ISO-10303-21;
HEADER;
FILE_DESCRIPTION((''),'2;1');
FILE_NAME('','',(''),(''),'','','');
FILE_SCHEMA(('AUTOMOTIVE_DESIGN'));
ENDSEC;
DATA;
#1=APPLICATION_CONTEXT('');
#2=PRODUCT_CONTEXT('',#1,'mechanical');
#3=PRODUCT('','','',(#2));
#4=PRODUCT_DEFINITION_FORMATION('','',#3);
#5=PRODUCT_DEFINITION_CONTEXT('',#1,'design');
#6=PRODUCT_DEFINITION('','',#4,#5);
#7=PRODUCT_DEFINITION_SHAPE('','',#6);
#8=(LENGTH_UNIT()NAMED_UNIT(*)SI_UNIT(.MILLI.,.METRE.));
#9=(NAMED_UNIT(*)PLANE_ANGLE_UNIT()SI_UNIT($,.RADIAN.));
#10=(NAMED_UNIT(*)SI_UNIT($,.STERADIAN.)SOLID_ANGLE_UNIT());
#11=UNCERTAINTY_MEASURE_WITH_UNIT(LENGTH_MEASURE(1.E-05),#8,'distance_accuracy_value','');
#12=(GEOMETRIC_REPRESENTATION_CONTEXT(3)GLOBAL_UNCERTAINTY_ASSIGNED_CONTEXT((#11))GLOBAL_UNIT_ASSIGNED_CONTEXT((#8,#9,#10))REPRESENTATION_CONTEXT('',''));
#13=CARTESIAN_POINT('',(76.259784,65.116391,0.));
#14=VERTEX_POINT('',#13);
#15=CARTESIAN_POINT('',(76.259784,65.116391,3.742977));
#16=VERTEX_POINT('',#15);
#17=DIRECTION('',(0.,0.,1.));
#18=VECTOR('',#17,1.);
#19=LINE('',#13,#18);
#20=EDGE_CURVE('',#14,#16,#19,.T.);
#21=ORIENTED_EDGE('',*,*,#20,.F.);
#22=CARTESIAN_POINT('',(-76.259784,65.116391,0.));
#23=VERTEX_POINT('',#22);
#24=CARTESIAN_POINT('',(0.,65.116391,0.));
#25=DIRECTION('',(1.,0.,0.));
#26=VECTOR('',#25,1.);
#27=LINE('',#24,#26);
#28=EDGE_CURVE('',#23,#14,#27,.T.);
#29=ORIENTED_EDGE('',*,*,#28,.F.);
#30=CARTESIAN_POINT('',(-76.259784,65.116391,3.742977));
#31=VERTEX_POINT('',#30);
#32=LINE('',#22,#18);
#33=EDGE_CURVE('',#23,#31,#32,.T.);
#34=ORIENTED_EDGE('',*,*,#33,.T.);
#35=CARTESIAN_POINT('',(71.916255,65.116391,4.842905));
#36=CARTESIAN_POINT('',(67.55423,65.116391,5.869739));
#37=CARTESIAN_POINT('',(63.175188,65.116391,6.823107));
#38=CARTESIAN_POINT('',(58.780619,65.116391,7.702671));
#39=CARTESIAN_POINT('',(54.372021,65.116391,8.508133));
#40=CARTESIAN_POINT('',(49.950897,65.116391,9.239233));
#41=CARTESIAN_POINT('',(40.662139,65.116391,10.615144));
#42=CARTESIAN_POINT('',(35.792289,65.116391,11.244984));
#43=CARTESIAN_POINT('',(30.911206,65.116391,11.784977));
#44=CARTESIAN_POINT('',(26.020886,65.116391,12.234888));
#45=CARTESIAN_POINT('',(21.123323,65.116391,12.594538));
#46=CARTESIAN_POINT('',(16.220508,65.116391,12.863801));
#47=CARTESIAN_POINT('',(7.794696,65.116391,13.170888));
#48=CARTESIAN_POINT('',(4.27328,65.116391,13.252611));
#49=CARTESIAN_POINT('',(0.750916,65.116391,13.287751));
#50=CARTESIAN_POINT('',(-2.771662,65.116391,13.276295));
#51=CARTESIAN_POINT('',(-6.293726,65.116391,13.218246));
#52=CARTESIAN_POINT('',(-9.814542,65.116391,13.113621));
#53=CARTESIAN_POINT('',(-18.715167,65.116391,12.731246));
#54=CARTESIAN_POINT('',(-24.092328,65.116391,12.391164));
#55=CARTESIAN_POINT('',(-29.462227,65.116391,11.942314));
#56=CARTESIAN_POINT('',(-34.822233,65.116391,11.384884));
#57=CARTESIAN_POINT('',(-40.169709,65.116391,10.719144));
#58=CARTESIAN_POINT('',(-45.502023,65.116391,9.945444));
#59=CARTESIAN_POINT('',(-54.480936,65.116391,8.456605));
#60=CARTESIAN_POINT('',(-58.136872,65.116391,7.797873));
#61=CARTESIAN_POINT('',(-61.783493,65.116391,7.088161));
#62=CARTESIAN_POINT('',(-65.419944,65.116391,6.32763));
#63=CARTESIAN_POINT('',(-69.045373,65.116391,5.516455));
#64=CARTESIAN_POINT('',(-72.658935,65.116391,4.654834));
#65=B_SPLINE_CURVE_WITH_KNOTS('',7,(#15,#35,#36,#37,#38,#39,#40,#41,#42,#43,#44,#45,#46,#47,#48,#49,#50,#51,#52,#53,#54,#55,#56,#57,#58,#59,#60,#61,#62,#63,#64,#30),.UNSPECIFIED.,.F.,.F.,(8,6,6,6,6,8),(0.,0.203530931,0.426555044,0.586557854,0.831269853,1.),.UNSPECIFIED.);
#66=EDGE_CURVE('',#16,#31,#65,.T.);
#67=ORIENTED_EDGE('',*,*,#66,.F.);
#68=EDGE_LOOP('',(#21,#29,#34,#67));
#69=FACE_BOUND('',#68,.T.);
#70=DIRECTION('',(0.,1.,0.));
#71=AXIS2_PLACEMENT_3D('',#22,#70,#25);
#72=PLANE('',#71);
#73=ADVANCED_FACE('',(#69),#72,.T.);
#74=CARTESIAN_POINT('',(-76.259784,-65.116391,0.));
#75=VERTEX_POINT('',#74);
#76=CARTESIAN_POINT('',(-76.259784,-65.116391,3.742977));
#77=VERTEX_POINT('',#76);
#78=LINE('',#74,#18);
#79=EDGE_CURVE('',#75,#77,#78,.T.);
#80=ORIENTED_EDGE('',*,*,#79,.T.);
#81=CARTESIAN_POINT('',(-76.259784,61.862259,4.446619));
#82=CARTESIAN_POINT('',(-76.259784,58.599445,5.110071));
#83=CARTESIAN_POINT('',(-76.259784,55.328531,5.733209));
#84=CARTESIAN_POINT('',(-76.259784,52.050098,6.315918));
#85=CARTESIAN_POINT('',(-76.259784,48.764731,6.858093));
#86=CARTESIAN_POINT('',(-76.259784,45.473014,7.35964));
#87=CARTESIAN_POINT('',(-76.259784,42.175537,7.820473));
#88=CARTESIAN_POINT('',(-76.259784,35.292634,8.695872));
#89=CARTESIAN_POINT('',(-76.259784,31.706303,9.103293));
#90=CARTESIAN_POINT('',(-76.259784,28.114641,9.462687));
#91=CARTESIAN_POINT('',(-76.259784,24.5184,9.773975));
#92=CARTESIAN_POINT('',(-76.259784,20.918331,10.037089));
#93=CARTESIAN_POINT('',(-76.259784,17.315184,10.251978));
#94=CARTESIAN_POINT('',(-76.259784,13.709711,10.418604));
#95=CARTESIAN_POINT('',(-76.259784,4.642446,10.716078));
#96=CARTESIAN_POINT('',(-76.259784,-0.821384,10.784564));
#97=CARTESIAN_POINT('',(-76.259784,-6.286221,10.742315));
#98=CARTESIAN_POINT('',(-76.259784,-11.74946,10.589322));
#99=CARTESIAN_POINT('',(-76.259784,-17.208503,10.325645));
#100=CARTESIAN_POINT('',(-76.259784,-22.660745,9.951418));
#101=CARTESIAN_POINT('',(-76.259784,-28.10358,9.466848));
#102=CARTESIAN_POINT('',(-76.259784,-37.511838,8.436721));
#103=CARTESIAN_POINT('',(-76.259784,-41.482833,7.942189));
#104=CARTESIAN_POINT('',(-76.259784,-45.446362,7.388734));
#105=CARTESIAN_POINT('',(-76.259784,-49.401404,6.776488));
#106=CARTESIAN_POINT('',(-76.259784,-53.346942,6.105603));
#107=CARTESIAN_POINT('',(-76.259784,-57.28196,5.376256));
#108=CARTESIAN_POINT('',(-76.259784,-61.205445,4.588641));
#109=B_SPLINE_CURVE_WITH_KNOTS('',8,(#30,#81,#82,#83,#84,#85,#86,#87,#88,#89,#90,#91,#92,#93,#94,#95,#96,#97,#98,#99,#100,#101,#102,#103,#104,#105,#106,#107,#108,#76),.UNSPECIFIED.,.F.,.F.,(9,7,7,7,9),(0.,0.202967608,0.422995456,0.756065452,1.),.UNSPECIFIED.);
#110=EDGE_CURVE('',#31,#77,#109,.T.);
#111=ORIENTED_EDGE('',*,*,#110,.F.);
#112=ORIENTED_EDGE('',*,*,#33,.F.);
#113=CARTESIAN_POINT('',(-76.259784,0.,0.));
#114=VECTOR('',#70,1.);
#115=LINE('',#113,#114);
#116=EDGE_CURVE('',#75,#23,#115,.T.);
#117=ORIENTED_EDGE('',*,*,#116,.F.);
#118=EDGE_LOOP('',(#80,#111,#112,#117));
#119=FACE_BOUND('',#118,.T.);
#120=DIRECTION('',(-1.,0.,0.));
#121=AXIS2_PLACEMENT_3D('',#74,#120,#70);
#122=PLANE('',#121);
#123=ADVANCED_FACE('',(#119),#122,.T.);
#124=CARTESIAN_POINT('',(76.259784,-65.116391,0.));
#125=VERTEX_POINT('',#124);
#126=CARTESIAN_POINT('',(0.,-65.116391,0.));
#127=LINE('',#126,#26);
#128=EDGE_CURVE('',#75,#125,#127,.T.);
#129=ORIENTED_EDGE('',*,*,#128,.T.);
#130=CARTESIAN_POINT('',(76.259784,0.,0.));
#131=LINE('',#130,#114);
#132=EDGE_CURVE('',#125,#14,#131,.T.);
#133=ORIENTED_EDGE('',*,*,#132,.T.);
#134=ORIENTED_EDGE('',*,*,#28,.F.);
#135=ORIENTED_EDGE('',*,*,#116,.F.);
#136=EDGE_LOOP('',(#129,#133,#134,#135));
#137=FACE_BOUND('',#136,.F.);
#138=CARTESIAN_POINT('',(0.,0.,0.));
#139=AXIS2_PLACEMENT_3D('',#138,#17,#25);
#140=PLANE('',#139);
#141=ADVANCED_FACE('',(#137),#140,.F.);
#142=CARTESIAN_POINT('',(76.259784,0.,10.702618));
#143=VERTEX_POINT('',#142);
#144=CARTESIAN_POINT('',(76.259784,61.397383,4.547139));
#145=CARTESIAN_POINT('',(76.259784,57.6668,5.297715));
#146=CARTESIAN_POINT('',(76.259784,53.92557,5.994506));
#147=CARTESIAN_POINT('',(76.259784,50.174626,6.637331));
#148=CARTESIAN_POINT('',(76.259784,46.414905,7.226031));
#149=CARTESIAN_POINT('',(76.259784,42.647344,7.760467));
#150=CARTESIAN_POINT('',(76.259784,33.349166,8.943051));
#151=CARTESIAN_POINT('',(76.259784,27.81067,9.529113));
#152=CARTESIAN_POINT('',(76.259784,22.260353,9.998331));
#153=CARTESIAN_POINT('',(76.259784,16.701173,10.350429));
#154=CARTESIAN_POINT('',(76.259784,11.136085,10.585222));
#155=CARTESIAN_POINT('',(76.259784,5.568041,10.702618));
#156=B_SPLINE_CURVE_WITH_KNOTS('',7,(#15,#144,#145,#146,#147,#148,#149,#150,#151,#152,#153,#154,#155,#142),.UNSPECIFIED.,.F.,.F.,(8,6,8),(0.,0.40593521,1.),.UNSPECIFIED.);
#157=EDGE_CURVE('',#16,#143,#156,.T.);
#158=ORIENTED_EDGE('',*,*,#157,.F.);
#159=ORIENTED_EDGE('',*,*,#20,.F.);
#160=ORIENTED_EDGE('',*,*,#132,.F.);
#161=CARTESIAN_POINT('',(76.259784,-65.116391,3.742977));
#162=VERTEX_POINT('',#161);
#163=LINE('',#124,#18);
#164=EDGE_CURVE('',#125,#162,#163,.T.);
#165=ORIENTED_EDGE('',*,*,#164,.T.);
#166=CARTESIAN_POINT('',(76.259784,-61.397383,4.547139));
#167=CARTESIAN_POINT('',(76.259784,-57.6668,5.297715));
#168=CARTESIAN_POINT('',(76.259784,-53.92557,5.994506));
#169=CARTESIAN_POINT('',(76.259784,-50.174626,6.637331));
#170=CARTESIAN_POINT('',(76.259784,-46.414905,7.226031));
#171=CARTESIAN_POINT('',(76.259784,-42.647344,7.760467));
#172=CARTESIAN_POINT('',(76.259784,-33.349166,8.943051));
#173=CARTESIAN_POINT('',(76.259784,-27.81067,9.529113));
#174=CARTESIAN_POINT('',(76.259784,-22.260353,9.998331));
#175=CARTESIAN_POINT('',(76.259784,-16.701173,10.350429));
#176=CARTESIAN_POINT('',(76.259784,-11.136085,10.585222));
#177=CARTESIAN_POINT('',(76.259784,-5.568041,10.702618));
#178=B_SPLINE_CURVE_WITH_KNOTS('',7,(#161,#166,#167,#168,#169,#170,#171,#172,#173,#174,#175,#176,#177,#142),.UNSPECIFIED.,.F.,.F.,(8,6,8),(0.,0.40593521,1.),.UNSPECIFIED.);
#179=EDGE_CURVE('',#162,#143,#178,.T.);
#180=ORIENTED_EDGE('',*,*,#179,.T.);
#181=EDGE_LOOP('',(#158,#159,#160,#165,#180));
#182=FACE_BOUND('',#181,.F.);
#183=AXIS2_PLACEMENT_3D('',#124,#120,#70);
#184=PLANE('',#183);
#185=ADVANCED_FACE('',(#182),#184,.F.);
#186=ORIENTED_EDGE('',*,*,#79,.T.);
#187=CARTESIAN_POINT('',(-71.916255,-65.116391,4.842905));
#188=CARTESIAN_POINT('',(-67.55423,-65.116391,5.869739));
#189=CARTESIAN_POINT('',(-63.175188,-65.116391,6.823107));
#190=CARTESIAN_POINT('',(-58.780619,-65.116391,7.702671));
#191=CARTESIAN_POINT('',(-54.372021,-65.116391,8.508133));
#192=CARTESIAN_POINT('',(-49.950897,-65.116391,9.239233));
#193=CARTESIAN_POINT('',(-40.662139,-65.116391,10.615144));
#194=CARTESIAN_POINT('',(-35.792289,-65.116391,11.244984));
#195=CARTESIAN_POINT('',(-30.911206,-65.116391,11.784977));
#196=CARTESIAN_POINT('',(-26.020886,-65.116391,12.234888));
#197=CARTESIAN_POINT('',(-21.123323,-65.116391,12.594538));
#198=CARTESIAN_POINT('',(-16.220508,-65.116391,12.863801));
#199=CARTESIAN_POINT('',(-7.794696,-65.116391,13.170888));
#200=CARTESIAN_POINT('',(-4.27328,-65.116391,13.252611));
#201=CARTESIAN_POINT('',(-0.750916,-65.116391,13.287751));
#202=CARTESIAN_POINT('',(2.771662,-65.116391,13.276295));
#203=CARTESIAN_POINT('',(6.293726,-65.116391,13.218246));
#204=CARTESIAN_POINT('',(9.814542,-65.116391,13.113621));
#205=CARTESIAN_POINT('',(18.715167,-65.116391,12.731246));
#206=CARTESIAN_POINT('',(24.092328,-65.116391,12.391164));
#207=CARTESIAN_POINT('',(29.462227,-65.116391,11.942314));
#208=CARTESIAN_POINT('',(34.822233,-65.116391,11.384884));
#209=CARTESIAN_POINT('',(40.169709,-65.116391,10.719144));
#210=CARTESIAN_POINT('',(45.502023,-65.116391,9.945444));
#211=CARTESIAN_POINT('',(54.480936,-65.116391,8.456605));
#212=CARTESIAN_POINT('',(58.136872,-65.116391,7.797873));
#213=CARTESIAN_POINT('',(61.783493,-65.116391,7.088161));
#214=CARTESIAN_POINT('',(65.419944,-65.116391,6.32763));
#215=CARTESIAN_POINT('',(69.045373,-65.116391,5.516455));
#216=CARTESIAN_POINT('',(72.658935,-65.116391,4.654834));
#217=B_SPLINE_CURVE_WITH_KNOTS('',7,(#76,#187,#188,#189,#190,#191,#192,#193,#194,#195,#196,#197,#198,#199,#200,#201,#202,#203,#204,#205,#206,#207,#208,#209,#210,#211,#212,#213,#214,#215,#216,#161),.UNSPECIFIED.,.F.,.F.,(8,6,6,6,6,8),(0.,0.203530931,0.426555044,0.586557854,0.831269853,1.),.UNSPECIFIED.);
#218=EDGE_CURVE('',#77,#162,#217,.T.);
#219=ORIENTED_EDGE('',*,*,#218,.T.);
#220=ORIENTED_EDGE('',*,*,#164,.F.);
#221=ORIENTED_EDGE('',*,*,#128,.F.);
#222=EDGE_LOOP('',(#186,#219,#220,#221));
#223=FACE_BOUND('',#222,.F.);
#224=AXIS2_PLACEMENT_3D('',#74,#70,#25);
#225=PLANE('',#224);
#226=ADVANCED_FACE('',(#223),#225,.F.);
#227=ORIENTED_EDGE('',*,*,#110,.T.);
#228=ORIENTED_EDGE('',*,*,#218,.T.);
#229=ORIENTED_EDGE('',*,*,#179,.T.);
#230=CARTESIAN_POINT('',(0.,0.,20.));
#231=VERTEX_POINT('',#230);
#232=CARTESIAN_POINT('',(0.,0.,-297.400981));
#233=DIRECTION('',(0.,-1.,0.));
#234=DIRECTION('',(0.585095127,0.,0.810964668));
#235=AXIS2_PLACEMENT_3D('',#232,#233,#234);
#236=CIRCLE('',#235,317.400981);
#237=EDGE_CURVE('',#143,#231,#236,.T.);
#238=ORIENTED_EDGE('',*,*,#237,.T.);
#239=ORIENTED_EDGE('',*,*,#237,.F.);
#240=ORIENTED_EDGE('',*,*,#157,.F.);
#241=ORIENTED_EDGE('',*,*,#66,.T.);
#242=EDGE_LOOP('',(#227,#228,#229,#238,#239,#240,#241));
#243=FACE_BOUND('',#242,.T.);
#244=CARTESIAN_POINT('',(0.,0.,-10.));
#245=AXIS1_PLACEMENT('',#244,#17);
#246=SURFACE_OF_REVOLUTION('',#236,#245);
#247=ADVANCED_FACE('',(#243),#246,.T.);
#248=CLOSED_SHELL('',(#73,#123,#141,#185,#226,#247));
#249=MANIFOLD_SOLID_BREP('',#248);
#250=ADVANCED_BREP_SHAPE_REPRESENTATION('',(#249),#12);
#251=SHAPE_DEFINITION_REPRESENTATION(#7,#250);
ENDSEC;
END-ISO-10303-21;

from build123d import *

# Parameters (mm, degrees)
F2_W     = 152.519568
F2_H     = 130.232782
F3_DEPTH = 36.1


with BuildPart() as f1:
    # F0 (on Front) → F1 (revolve)
    with BuildSketch(Plane.XZ):
        with BuildLine():
            Line((0, 20), (0, -40))
            Line((0, -40), (185.709767, -40))
            ThreePointArc((185.709767, -40), (97.580887, 4.627748), (0, 20))
        make_face()
    revolve(axis=Axis((0, 0, -10), (0, 0, 1)))


with BuildPart() as f3:
    # F2 (on Top) → F3 (new body)
    with BuildSketch(Plane.XY):
        Rectangle(F2_W, F2_H)
    extrude(amount=F3_DEPTH)


with BuildPart() as f1_1:
    add(f1.part)

    # F4: intersect F3
    add(f3.part, mode=Mode.INTERSECT)


solid = f1_1.part
